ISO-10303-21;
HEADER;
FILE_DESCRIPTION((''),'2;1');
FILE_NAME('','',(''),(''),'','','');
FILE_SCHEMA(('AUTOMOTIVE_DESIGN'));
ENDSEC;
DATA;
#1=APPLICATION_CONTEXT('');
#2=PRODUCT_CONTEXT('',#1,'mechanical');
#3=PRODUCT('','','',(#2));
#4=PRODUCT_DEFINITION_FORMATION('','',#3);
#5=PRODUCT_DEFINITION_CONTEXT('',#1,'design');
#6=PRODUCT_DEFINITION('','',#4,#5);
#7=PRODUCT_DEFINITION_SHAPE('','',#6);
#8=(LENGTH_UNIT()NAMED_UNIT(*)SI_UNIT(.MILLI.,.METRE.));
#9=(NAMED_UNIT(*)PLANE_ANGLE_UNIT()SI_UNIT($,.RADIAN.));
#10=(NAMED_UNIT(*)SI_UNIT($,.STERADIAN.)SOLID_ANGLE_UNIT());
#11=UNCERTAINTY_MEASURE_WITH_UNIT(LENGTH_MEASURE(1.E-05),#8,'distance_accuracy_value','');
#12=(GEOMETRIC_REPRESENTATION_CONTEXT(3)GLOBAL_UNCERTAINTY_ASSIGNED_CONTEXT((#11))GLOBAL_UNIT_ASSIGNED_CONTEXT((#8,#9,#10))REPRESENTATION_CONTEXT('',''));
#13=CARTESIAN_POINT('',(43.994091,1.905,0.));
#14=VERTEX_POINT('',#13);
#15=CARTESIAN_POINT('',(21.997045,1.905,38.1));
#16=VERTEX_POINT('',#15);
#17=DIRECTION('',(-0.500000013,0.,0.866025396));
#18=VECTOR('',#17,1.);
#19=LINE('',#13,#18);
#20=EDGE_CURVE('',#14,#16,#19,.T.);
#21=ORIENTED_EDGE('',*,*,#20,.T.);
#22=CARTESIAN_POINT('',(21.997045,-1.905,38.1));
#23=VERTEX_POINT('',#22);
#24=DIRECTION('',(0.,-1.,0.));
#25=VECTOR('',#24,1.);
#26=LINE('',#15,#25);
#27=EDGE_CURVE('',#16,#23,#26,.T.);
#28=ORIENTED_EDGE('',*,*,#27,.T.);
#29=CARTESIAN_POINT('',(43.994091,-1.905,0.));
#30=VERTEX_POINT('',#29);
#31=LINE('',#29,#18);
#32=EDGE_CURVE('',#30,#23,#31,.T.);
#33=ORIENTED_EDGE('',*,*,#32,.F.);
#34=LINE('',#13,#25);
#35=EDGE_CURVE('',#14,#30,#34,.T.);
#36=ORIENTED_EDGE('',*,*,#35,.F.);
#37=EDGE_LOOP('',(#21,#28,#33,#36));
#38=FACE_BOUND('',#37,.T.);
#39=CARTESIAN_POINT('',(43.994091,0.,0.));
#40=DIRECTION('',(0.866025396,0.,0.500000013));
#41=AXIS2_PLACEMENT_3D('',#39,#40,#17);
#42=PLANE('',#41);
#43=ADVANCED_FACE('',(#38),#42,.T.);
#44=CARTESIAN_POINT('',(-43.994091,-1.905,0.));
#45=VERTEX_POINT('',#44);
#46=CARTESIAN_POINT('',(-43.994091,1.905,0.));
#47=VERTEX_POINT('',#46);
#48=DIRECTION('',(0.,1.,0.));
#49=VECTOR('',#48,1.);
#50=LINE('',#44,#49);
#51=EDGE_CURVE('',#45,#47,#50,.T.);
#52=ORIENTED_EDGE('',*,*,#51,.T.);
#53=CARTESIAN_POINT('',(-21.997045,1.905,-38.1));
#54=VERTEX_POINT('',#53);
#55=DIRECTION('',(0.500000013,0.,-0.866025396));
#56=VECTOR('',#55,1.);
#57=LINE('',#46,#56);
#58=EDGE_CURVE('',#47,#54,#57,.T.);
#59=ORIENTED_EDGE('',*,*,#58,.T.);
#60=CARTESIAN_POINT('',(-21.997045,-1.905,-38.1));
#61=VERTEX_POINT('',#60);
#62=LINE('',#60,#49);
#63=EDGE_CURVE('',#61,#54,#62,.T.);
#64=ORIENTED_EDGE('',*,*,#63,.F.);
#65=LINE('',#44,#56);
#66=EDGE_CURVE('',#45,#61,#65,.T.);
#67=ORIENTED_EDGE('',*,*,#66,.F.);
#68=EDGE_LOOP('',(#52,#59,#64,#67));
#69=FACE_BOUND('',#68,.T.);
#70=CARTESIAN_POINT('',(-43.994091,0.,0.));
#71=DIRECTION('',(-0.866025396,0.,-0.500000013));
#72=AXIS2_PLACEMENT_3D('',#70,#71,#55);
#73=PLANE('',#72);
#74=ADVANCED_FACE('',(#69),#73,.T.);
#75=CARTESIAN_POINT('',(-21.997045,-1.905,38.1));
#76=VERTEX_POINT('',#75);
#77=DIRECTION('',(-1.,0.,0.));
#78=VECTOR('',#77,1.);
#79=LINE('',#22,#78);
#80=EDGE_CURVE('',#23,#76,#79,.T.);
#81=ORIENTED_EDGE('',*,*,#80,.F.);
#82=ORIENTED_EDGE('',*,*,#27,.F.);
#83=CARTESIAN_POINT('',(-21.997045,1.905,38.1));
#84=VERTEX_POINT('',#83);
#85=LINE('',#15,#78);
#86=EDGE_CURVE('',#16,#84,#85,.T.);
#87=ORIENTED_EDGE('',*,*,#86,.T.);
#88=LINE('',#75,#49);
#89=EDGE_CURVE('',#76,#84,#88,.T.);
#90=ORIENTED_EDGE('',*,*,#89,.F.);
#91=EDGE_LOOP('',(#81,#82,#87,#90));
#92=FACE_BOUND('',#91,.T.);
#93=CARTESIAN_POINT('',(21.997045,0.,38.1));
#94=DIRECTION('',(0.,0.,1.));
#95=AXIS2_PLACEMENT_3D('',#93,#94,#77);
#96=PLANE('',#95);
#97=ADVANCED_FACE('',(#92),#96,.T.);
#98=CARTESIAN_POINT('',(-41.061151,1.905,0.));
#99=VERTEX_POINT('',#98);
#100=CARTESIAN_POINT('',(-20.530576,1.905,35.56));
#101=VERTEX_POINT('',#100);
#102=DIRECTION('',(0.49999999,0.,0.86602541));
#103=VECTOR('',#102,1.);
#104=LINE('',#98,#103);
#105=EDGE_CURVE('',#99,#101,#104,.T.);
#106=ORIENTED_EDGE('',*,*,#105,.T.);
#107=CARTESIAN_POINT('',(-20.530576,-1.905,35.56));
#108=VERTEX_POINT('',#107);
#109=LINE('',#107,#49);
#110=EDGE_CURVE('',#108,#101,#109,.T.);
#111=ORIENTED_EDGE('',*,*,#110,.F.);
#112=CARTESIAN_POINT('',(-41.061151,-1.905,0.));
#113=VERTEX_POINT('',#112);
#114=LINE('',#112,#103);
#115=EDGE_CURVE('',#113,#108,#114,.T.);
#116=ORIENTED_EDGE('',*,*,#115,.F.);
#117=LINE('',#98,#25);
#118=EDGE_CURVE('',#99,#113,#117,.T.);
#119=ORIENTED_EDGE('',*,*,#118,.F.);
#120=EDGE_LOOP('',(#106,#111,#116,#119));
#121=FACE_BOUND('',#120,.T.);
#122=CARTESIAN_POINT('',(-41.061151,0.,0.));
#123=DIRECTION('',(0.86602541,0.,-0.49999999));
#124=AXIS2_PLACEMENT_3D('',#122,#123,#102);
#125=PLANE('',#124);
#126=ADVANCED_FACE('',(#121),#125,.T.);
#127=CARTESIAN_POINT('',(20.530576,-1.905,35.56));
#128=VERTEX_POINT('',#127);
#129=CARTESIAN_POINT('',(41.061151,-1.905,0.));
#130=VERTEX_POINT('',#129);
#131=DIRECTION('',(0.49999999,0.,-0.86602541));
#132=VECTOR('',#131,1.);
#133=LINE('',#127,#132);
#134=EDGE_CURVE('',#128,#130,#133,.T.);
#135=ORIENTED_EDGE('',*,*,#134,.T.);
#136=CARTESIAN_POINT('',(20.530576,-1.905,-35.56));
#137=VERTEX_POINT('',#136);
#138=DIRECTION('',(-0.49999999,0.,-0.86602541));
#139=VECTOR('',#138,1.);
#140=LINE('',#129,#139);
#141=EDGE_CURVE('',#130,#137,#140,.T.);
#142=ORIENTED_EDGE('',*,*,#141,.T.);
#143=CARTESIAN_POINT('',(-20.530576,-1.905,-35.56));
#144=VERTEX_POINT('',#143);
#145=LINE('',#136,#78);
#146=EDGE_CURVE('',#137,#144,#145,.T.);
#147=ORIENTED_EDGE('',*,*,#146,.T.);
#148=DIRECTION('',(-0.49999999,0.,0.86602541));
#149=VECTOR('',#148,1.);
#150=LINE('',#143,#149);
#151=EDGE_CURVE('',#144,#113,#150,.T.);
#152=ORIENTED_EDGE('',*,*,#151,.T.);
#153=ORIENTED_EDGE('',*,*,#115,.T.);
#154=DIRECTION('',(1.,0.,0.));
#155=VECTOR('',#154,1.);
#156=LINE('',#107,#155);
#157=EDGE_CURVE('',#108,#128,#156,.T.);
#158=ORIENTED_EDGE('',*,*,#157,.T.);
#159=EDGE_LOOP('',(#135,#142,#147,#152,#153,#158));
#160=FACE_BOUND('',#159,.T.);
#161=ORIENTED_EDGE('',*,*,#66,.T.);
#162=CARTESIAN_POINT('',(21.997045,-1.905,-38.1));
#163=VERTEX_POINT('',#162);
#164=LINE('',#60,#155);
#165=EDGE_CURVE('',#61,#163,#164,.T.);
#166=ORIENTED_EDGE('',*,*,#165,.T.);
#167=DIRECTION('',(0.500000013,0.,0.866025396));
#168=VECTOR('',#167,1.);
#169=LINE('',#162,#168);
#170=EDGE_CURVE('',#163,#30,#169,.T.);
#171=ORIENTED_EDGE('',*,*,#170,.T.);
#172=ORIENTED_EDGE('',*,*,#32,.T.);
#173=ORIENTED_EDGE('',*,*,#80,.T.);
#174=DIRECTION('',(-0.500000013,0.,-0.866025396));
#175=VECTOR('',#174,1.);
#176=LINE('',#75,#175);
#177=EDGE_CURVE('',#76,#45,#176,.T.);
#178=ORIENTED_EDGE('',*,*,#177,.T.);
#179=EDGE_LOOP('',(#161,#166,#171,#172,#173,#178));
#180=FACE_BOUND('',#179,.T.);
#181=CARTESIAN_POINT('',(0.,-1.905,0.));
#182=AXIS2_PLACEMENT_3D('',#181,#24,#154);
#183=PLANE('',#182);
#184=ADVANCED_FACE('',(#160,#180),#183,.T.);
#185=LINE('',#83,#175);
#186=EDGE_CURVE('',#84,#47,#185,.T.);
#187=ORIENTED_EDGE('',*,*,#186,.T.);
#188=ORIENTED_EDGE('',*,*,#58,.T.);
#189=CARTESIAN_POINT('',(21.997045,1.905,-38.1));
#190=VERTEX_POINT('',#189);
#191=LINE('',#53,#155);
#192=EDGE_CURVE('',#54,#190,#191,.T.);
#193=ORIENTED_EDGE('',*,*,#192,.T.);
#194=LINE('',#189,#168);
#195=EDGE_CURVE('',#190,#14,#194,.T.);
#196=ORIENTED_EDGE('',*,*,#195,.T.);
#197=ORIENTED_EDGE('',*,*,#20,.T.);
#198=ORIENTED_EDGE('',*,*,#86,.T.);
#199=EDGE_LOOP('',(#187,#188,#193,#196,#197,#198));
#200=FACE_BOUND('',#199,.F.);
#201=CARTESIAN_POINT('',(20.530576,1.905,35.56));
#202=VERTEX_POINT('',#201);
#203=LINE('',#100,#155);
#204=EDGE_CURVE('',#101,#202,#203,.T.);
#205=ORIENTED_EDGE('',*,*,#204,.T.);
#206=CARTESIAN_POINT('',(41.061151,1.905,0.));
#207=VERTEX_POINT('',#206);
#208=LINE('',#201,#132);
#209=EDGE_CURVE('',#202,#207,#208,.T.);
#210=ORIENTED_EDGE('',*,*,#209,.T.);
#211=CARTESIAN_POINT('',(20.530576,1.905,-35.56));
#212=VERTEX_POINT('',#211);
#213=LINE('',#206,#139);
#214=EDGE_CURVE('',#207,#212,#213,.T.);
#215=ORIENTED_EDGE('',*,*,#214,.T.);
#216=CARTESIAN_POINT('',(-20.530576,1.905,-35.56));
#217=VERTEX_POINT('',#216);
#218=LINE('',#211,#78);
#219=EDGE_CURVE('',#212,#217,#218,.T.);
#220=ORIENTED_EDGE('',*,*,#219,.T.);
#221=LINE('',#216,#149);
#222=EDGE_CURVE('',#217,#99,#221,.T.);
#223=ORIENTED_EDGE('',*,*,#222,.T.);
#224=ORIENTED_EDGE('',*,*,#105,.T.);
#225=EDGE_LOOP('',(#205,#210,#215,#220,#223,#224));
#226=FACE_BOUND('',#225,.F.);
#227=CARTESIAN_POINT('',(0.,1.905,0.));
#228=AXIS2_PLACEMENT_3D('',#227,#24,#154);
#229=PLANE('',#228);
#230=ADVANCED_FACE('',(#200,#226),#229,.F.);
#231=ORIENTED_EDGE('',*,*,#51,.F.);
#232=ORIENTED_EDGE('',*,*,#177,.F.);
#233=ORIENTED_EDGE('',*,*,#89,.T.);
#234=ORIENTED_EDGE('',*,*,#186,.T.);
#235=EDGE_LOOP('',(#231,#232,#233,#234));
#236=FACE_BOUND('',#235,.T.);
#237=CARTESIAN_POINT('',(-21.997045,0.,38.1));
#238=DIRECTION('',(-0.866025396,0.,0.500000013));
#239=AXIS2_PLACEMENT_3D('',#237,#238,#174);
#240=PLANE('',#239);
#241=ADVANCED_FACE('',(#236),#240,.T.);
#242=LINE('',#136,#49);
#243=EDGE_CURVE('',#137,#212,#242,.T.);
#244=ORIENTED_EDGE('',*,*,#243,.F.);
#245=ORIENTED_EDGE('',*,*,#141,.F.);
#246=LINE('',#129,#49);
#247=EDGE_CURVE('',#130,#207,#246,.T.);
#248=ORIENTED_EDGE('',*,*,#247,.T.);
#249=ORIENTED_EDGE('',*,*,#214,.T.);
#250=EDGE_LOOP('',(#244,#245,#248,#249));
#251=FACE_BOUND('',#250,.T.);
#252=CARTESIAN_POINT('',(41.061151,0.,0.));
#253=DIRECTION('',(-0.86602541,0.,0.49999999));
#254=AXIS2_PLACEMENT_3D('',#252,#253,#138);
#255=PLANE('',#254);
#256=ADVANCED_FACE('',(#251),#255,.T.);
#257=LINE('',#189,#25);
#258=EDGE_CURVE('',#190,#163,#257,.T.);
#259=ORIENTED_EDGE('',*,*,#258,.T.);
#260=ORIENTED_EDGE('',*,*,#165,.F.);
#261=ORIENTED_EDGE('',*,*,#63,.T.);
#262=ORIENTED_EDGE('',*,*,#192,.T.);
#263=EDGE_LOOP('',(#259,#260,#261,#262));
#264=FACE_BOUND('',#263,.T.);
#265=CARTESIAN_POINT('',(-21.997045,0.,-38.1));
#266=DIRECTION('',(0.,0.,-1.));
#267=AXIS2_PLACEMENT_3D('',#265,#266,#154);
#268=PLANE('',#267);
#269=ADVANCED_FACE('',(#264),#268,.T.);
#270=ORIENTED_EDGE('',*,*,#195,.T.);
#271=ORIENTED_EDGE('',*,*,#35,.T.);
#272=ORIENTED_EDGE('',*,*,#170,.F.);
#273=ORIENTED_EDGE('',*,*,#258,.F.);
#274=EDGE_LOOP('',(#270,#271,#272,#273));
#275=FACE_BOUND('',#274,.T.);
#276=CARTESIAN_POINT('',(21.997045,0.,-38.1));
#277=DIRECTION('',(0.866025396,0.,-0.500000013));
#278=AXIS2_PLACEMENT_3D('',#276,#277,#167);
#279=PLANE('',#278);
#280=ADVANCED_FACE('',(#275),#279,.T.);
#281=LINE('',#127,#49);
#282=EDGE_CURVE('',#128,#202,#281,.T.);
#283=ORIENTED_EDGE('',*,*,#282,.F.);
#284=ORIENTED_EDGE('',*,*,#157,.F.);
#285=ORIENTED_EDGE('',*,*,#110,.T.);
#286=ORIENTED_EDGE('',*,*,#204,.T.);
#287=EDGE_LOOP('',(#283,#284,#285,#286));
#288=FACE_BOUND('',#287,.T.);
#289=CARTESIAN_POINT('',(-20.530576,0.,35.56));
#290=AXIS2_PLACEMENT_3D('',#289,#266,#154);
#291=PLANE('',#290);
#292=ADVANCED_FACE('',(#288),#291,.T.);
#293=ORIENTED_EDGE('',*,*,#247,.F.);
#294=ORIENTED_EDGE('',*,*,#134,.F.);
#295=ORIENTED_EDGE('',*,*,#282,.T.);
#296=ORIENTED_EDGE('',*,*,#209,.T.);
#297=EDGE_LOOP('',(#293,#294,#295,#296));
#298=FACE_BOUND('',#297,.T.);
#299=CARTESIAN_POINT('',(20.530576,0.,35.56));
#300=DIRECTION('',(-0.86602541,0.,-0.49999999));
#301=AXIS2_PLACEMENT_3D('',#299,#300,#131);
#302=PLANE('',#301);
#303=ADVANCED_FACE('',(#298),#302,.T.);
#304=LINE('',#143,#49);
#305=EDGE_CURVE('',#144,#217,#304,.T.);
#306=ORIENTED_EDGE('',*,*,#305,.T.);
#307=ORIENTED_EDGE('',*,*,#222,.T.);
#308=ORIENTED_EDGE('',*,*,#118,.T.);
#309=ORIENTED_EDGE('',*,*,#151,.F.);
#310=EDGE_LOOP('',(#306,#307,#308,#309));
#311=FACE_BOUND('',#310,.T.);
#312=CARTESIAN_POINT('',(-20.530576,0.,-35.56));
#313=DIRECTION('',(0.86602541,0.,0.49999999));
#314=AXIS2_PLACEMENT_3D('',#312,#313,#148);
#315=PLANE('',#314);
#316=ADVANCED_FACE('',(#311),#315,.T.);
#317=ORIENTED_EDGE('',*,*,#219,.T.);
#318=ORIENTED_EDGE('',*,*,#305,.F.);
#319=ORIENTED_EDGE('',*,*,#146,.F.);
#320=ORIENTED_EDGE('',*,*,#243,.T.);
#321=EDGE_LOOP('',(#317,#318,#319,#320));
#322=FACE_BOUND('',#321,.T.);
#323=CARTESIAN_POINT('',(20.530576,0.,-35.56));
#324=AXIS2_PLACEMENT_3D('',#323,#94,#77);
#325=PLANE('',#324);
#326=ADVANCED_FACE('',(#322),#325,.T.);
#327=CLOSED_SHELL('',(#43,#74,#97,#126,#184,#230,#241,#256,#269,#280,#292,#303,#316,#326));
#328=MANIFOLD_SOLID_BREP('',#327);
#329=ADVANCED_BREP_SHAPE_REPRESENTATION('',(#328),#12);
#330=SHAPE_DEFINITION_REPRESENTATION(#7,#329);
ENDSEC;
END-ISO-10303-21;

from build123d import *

# Parameters (mm, degrees)
F1_DEPTH = 1.905


with BuildPart() as f1:
    # F0 (on Front) → F1 (new body, symmetric)
    with BuildSketch(Plane.XZ):
        Polygon((-21.997045, -38.1), (21.997045, -38.1), (43.994091, 0), (21.997045, 38.1), (-21.997045, 38.1), (-43.994091, 0), align=None)
        Polygon((-41.061151, 0), (-20.530576, 35.56), (20.530576, 35.56), (41.061151, 0), (20.530576, -35.56), (-20.530576, -35.56), align=None, mode=Mode.SUBTRACT)
    extrude(amount=F1_DEPTH, both=True)


solid = f1.part
